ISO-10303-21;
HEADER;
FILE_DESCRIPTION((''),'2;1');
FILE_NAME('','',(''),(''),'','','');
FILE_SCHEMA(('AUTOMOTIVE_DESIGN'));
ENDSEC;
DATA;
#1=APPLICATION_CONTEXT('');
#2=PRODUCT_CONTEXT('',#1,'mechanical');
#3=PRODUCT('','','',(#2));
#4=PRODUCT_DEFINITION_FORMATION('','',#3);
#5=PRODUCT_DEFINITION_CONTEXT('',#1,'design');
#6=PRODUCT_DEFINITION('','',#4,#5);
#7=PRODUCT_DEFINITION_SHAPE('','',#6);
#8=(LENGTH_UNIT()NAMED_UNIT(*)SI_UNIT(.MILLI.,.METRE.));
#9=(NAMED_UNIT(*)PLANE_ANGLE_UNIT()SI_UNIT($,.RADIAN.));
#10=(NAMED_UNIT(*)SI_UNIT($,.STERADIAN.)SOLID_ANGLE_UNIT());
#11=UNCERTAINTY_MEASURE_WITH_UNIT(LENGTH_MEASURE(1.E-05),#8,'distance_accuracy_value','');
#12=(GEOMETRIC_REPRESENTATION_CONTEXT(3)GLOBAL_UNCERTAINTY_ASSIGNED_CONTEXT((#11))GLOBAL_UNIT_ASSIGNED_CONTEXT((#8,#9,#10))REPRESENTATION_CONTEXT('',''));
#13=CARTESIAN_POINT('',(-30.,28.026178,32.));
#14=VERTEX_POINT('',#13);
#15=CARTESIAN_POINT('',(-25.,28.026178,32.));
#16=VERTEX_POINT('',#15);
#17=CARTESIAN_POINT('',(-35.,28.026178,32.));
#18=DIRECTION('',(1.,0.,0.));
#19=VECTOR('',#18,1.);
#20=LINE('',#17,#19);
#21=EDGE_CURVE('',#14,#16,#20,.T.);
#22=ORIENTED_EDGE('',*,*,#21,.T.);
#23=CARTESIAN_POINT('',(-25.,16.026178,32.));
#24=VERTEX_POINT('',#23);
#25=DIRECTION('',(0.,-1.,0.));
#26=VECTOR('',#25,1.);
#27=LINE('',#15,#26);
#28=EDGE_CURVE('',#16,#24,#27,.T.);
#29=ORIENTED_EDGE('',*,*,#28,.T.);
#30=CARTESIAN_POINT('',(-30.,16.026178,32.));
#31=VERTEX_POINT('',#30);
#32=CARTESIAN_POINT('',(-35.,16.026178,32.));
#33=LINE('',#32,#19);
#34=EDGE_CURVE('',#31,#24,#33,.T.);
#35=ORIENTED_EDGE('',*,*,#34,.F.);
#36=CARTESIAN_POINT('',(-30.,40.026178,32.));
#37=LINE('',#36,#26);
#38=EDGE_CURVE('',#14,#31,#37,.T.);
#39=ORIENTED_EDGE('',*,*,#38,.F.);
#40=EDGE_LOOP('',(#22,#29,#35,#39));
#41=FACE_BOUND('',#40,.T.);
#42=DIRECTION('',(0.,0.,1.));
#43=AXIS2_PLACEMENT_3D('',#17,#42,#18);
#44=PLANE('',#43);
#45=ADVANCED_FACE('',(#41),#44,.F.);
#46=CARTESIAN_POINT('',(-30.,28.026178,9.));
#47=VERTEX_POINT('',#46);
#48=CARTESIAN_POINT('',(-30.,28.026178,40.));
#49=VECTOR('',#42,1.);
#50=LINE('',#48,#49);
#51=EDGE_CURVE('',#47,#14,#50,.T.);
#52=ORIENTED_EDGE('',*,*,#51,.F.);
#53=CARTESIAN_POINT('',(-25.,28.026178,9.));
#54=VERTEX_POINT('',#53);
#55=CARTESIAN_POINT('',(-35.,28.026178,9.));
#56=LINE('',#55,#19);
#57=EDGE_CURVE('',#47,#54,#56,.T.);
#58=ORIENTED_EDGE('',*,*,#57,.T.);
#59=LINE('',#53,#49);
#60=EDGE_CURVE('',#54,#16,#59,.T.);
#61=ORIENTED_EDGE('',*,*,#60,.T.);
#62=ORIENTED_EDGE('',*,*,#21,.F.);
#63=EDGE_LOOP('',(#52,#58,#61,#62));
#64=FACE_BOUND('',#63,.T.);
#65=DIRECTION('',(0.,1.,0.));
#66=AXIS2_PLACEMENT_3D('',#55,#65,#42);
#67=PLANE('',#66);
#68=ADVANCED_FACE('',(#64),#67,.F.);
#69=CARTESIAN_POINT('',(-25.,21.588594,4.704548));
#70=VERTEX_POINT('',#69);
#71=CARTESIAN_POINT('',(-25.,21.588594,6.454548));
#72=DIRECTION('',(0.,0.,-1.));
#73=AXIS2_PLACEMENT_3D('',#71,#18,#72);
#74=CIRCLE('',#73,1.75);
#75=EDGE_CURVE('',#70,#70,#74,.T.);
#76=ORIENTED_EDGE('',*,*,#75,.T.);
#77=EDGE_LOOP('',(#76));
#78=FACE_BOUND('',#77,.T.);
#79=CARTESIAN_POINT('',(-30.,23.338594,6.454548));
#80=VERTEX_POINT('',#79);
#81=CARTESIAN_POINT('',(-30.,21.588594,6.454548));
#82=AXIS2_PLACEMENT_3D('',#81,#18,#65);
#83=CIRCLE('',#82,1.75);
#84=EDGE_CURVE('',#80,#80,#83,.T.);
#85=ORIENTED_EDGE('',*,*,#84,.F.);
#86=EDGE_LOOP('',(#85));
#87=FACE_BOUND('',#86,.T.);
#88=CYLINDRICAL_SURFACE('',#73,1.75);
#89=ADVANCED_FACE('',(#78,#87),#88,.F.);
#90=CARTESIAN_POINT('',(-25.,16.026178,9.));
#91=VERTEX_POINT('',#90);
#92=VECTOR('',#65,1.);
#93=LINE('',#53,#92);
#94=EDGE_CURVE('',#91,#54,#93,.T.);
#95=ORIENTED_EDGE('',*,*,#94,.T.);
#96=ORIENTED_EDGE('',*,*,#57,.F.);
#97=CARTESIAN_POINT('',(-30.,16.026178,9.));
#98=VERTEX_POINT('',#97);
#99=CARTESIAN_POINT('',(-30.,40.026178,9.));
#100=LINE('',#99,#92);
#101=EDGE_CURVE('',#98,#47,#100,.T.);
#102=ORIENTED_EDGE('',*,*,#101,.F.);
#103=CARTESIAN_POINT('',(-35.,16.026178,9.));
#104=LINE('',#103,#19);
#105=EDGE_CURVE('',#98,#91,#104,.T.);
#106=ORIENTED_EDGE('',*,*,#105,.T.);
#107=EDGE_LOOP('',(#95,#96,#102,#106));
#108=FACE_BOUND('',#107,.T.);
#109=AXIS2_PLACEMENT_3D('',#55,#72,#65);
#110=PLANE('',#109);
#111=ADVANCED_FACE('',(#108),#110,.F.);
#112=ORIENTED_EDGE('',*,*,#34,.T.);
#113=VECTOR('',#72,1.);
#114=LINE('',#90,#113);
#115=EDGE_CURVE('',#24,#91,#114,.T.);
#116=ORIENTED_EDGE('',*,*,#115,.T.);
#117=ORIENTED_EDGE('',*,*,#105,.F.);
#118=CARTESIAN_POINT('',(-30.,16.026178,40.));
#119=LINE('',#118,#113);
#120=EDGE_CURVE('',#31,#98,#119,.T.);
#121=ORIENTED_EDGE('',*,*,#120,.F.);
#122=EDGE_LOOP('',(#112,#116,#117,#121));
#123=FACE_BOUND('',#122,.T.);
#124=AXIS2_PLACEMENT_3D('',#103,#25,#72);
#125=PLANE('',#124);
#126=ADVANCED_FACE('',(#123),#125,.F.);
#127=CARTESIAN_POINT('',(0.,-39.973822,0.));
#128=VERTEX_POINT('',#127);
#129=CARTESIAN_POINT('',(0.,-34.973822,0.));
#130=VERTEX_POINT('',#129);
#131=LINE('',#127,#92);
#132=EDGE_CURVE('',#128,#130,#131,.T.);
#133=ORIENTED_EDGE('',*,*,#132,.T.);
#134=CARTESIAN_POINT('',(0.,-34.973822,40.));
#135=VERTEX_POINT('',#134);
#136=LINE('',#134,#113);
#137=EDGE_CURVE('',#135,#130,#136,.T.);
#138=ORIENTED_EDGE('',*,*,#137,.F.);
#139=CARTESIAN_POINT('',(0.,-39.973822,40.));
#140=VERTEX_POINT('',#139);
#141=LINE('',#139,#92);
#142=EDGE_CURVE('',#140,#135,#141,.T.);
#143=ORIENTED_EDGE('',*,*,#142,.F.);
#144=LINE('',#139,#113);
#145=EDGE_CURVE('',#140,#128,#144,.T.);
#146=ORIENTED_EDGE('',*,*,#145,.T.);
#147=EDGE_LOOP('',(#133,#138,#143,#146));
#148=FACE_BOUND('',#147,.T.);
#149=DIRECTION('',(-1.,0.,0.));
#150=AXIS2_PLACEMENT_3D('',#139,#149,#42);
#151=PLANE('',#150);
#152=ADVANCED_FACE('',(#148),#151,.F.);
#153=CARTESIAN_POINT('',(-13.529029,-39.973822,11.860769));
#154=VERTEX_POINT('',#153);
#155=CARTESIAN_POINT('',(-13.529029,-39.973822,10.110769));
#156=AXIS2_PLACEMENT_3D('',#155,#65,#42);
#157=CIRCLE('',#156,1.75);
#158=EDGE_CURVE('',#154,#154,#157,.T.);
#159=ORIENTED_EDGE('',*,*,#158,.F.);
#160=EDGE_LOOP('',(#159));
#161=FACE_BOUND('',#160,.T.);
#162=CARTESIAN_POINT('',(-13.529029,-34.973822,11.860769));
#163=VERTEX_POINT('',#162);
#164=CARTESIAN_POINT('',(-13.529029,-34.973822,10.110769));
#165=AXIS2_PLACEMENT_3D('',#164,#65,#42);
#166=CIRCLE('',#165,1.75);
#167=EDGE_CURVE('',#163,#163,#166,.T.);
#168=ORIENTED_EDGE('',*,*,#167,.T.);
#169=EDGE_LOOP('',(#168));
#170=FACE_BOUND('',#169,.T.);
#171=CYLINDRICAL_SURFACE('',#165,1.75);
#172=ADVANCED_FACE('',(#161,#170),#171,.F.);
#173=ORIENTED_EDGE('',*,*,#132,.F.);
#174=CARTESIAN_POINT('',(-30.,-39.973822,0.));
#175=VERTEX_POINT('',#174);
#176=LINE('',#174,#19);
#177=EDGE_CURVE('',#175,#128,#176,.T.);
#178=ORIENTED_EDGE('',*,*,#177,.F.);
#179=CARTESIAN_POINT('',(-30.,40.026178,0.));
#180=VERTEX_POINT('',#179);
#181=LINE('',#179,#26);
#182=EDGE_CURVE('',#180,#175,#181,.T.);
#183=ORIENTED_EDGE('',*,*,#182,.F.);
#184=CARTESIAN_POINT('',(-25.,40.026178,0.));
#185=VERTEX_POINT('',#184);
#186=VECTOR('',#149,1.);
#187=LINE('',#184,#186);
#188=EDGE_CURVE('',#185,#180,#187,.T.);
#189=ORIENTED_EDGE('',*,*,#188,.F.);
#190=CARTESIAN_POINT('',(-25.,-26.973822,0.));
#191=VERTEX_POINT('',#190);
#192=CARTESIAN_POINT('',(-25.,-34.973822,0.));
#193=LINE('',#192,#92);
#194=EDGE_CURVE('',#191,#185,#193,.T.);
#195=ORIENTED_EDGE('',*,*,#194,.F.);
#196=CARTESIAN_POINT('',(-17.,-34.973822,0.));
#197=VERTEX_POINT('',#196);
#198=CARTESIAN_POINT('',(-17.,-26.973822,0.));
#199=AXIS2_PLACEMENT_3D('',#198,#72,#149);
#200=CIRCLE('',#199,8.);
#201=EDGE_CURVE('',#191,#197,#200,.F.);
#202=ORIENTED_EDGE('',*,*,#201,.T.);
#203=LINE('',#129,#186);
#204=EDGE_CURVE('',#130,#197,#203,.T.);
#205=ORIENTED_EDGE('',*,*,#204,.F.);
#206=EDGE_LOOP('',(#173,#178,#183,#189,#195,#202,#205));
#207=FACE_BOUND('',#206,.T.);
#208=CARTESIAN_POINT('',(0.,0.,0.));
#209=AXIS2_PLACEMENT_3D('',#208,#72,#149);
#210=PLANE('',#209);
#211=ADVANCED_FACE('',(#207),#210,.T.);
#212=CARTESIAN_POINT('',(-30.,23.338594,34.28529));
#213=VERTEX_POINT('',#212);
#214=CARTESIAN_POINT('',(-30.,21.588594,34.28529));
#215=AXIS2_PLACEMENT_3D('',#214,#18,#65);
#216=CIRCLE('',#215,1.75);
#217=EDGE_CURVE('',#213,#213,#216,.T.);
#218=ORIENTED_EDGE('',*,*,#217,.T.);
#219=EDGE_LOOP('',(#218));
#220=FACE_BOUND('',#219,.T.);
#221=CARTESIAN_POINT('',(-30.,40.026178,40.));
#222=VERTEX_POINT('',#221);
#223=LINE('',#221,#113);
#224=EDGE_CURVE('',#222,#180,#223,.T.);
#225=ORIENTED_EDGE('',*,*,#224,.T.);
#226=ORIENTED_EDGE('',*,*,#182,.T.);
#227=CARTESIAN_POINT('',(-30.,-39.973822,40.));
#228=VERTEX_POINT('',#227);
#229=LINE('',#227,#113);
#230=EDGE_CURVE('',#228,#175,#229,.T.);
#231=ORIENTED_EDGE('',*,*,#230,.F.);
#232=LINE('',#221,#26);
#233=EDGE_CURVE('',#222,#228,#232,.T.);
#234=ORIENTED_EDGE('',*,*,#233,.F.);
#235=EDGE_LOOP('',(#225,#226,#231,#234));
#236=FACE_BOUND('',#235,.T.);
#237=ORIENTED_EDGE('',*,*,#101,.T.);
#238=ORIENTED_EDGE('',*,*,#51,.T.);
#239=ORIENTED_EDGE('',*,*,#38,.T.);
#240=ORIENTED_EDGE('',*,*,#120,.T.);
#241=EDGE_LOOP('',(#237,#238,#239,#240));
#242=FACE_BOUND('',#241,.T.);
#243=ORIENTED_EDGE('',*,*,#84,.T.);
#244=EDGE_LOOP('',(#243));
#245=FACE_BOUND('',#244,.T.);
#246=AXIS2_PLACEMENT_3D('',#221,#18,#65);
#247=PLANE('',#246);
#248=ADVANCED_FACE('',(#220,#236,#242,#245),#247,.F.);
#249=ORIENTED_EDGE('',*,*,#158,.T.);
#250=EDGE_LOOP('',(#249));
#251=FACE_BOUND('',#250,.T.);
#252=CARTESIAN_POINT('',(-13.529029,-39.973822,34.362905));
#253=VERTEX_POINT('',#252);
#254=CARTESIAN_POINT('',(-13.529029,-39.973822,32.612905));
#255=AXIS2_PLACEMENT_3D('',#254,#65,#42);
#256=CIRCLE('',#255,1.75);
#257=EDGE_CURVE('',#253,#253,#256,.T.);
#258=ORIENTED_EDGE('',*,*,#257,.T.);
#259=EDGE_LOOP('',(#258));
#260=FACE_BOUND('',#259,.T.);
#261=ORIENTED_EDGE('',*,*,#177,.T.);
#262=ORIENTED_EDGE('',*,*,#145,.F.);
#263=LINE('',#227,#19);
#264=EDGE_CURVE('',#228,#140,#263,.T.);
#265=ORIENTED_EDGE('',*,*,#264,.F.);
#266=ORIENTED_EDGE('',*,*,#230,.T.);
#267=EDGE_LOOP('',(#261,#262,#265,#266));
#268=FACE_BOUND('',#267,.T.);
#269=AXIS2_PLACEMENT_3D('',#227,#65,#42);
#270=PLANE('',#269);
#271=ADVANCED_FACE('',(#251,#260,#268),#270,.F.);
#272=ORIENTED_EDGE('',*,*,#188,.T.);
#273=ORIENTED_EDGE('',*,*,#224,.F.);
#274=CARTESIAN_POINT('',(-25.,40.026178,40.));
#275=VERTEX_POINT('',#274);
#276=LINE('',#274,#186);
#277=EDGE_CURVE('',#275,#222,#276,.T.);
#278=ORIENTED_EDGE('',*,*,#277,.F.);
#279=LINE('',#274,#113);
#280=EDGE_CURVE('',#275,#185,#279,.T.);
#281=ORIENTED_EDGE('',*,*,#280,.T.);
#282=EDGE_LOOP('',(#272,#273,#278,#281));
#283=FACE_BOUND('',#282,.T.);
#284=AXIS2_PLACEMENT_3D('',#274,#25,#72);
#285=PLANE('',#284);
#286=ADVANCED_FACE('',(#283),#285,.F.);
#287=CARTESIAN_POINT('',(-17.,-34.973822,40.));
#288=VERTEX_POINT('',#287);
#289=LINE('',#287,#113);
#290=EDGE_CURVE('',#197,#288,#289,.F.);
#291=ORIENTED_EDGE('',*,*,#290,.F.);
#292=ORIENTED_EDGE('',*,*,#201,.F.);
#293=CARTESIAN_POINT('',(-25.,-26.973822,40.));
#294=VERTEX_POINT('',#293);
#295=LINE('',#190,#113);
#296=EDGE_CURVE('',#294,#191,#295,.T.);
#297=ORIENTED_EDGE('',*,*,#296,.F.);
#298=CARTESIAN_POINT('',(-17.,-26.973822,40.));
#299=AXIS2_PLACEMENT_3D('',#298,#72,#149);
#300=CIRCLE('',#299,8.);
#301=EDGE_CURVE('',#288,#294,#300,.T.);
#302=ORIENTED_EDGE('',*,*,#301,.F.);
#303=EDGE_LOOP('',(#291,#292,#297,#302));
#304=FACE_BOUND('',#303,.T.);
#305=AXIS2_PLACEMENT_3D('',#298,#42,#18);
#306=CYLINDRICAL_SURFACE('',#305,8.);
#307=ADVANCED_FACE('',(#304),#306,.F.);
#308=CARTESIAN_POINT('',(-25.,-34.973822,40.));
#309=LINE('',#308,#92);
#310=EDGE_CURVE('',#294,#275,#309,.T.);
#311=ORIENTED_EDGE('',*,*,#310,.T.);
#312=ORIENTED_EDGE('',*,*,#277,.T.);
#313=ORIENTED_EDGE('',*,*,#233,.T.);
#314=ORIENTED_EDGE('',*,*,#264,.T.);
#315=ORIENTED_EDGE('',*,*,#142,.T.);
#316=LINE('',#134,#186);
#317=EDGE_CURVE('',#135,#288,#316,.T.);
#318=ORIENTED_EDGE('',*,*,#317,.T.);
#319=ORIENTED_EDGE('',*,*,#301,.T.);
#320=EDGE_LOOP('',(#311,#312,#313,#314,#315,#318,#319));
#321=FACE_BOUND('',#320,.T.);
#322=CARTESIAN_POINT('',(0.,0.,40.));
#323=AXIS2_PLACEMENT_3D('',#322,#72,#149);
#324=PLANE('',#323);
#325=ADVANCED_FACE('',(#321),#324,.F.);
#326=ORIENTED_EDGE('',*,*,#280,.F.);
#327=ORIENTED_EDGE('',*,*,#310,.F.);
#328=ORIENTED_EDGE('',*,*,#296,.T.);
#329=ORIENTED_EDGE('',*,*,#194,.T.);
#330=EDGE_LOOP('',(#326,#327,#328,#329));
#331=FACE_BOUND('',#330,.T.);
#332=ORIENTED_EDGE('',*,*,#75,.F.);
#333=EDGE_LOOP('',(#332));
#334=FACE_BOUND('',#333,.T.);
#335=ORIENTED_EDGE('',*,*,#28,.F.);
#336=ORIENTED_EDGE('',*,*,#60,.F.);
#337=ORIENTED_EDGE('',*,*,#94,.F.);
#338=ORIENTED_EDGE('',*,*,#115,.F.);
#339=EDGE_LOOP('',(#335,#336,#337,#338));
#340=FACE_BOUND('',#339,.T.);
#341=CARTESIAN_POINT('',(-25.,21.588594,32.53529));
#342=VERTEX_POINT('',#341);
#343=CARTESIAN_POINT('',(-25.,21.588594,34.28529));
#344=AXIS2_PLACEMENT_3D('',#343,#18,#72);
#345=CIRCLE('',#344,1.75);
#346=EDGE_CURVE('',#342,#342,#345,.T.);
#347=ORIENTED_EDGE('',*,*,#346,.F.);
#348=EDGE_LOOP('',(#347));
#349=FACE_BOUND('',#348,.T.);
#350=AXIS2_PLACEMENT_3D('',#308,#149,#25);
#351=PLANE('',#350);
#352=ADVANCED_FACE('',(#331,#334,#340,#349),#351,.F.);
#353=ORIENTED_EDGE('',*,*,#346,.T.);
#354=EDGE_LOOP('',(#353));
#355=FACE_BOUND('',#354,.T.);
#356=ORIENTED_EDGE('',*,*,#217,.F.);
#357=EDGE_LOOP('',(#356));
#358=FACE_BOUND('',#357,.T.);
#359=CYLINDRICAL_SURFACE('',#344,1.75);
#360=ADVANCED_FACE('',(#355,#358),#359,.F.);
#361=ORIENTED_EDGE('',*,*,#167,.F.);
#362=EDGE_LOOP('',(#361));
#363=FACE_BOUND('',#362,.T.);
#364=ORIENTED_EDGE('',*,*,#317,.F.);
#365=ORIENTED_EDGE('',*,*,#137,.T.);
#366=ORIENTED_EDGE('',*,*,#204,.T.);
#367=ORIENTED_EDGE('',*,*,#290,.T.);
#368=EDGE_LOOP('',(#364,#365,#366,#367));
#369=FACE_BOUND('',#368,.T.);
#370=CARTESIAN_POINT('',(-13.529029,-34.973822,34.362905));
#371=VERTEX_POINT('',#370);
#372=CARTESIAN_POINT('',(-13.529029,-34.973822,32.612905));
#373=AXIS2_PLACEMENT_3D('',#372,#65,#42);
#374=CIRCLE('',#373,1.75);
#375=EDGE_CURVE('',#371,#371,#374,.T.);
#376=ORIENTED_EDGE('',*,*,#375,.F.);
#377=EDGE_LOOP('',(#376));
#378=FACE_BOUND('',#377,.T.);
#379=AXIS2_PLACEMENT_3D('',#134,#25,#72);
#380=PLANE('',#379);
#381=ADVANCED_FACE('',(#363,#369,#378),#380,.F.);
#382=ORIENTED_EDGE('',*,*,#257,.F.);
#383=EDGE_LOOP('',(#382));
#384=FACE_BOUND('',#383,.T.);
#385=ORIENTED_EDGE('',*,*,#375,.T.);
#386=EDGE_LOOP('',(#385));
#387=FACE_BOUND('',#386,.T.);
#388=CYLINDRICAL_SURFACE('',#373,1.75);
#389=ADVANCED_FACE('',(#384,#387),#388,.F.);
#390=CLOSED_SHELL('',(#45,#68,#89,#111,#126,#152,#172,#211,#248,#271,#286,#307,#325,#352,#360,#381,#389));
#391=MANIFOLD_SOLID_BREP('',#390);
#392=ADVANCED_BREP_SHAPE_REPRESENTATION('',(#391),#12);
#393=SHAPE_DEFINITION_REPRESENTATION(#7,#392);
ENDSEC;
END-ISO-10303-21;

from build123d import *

# Parameters (mm, degrees)
RESSALTO_EXTRUS_O1_DEPTH                   = 40
BROCA_DE_ROSQUEAR_PARA_HELICOIDE_M31_D     = 3.5
BROCA_DE_ROSQUEAR_PARA_HELICOIDE_M31_DEPTH = 10
BROCA_DE_ROSQUEAR_PARA_HELICOIDE_M31_TIP   = 1.051506083
FILETE1_R                                  = 8
ESBO_O6_W                                  = 23
ESBO_O6_H                                  = 12
CORTE_EXTRUS_O1_DEPTH                      = 10
BROCA_DE_ROSQUEAR_PARA_HELICOIDE_M33_D     = 3.5
BROCA_DE_ROSQUEAR_PARA_HELICOIDE_M33_DEPTH = 10
BROCA_DE_ROSQUEAR_PARA_HELICOIDE_M33_TIP   = 1.051506083


with BuildPart() as part:
    # Esboço1 → Ressalto-extrusão1 (new body)
    with BuildSketch(Plane.XY):
        Polygon((-30, 40.02617801), (-30, -39.97382199), (0, -39.97382199), (0, -34.97382199), (-25, -34.97382199), (-25, 40.02617801), align=None)
    extrude(amount=RESSALTO_EXTRUS_O1_DEPTH)

    # Broca de rosquear para helicoide M31
    with Locations(Plane(origin=(0, -34.97382199, 0), x_dir=(1, 0, 0), z_dir=(0, 1, 0))):
        with Locations((-13.529029312, -32.612904954), (-13.529029312, -10.11076891)):
            Hole(BROCA_DE_ROSQUEAR_PARA_HELICOIDE_M31_D / 2, depth=BROCA_DE_ROSQUEAR_PARA_HELICOIDE_M31_DEPTH)
            with Locations((0, 0, -(BROCA_DE_ROSQUEAR_PARA_HELICOIDE_M31_DEPTH + BROCA_DE_ROSQUEAR_PARA_HELICOIDE_M31_TIP / 2))):  # 118° drill point
                Cone(0, BROCA_DE_ROSQUEAR_PARA_HELICOIDE_M31_D / 2, BROCA_DE_ROSQUEAR_PARA_HELICOIDE_M31_TIP, mode=Mode.SUBTRACT)

    # Filete1
    filete1_edges = [part.edges().sort_by_distance(p)[0] for p in [
        (-25, -34.97382199, 20),
    ]]
    fillet(filete1_edges, radius=FILETE1_R)

    # Esboço6 → Corte-extrusão1 (cut)
    with BuildSketch(Plane(origin=(-25, 0, 0), x_dir=(0, 0, -1), z_dir=(1, 0, 0))):
        with Locations((-20.5, 22.02617801)):
            Rectangle(ESBO_O6_W, ESBO_O6_H)
    extrude(amount=-CORTE_EXTRUS_O1_DEPTH, mode=Mode.SUBTRACT)

    # Broca de rosquear para helicoide M33
    with Locations(Plane(origin=(-25, 0, 0), x_dir=(0, 0, -1), z_dir=(1, 0, 0))):
        with Locations((-6.454548455, 21.588594031), (-34.28528994, 21.588594031)):
            Hole(BROCA_DE_ROSQUEAR_PARA_HELICOIDE_M33_D / 2, depth=BROCA_DE_ROSQUEAR_PARA_HELICOIDE_M33_DEPTH)
            with Locations((0, 0, -(BROCA_DE_ROSQUEAR_PARA_HELICOIDE_M33_DEPTH + BROCA_DE_ROSQUEAR_PARA_HELICOIDE_M33_TIP / 2))):  # 118° drill point
                Cone(0, BROCA_DE_ROSQUEAR_PARA_HELICOIDE_M33_D / 2, BROCA_DE_ROSQUEAR_PARA_HELICOIDE_M33_TIP, mode=Mode.SUBTRACT)


solid = part.part
